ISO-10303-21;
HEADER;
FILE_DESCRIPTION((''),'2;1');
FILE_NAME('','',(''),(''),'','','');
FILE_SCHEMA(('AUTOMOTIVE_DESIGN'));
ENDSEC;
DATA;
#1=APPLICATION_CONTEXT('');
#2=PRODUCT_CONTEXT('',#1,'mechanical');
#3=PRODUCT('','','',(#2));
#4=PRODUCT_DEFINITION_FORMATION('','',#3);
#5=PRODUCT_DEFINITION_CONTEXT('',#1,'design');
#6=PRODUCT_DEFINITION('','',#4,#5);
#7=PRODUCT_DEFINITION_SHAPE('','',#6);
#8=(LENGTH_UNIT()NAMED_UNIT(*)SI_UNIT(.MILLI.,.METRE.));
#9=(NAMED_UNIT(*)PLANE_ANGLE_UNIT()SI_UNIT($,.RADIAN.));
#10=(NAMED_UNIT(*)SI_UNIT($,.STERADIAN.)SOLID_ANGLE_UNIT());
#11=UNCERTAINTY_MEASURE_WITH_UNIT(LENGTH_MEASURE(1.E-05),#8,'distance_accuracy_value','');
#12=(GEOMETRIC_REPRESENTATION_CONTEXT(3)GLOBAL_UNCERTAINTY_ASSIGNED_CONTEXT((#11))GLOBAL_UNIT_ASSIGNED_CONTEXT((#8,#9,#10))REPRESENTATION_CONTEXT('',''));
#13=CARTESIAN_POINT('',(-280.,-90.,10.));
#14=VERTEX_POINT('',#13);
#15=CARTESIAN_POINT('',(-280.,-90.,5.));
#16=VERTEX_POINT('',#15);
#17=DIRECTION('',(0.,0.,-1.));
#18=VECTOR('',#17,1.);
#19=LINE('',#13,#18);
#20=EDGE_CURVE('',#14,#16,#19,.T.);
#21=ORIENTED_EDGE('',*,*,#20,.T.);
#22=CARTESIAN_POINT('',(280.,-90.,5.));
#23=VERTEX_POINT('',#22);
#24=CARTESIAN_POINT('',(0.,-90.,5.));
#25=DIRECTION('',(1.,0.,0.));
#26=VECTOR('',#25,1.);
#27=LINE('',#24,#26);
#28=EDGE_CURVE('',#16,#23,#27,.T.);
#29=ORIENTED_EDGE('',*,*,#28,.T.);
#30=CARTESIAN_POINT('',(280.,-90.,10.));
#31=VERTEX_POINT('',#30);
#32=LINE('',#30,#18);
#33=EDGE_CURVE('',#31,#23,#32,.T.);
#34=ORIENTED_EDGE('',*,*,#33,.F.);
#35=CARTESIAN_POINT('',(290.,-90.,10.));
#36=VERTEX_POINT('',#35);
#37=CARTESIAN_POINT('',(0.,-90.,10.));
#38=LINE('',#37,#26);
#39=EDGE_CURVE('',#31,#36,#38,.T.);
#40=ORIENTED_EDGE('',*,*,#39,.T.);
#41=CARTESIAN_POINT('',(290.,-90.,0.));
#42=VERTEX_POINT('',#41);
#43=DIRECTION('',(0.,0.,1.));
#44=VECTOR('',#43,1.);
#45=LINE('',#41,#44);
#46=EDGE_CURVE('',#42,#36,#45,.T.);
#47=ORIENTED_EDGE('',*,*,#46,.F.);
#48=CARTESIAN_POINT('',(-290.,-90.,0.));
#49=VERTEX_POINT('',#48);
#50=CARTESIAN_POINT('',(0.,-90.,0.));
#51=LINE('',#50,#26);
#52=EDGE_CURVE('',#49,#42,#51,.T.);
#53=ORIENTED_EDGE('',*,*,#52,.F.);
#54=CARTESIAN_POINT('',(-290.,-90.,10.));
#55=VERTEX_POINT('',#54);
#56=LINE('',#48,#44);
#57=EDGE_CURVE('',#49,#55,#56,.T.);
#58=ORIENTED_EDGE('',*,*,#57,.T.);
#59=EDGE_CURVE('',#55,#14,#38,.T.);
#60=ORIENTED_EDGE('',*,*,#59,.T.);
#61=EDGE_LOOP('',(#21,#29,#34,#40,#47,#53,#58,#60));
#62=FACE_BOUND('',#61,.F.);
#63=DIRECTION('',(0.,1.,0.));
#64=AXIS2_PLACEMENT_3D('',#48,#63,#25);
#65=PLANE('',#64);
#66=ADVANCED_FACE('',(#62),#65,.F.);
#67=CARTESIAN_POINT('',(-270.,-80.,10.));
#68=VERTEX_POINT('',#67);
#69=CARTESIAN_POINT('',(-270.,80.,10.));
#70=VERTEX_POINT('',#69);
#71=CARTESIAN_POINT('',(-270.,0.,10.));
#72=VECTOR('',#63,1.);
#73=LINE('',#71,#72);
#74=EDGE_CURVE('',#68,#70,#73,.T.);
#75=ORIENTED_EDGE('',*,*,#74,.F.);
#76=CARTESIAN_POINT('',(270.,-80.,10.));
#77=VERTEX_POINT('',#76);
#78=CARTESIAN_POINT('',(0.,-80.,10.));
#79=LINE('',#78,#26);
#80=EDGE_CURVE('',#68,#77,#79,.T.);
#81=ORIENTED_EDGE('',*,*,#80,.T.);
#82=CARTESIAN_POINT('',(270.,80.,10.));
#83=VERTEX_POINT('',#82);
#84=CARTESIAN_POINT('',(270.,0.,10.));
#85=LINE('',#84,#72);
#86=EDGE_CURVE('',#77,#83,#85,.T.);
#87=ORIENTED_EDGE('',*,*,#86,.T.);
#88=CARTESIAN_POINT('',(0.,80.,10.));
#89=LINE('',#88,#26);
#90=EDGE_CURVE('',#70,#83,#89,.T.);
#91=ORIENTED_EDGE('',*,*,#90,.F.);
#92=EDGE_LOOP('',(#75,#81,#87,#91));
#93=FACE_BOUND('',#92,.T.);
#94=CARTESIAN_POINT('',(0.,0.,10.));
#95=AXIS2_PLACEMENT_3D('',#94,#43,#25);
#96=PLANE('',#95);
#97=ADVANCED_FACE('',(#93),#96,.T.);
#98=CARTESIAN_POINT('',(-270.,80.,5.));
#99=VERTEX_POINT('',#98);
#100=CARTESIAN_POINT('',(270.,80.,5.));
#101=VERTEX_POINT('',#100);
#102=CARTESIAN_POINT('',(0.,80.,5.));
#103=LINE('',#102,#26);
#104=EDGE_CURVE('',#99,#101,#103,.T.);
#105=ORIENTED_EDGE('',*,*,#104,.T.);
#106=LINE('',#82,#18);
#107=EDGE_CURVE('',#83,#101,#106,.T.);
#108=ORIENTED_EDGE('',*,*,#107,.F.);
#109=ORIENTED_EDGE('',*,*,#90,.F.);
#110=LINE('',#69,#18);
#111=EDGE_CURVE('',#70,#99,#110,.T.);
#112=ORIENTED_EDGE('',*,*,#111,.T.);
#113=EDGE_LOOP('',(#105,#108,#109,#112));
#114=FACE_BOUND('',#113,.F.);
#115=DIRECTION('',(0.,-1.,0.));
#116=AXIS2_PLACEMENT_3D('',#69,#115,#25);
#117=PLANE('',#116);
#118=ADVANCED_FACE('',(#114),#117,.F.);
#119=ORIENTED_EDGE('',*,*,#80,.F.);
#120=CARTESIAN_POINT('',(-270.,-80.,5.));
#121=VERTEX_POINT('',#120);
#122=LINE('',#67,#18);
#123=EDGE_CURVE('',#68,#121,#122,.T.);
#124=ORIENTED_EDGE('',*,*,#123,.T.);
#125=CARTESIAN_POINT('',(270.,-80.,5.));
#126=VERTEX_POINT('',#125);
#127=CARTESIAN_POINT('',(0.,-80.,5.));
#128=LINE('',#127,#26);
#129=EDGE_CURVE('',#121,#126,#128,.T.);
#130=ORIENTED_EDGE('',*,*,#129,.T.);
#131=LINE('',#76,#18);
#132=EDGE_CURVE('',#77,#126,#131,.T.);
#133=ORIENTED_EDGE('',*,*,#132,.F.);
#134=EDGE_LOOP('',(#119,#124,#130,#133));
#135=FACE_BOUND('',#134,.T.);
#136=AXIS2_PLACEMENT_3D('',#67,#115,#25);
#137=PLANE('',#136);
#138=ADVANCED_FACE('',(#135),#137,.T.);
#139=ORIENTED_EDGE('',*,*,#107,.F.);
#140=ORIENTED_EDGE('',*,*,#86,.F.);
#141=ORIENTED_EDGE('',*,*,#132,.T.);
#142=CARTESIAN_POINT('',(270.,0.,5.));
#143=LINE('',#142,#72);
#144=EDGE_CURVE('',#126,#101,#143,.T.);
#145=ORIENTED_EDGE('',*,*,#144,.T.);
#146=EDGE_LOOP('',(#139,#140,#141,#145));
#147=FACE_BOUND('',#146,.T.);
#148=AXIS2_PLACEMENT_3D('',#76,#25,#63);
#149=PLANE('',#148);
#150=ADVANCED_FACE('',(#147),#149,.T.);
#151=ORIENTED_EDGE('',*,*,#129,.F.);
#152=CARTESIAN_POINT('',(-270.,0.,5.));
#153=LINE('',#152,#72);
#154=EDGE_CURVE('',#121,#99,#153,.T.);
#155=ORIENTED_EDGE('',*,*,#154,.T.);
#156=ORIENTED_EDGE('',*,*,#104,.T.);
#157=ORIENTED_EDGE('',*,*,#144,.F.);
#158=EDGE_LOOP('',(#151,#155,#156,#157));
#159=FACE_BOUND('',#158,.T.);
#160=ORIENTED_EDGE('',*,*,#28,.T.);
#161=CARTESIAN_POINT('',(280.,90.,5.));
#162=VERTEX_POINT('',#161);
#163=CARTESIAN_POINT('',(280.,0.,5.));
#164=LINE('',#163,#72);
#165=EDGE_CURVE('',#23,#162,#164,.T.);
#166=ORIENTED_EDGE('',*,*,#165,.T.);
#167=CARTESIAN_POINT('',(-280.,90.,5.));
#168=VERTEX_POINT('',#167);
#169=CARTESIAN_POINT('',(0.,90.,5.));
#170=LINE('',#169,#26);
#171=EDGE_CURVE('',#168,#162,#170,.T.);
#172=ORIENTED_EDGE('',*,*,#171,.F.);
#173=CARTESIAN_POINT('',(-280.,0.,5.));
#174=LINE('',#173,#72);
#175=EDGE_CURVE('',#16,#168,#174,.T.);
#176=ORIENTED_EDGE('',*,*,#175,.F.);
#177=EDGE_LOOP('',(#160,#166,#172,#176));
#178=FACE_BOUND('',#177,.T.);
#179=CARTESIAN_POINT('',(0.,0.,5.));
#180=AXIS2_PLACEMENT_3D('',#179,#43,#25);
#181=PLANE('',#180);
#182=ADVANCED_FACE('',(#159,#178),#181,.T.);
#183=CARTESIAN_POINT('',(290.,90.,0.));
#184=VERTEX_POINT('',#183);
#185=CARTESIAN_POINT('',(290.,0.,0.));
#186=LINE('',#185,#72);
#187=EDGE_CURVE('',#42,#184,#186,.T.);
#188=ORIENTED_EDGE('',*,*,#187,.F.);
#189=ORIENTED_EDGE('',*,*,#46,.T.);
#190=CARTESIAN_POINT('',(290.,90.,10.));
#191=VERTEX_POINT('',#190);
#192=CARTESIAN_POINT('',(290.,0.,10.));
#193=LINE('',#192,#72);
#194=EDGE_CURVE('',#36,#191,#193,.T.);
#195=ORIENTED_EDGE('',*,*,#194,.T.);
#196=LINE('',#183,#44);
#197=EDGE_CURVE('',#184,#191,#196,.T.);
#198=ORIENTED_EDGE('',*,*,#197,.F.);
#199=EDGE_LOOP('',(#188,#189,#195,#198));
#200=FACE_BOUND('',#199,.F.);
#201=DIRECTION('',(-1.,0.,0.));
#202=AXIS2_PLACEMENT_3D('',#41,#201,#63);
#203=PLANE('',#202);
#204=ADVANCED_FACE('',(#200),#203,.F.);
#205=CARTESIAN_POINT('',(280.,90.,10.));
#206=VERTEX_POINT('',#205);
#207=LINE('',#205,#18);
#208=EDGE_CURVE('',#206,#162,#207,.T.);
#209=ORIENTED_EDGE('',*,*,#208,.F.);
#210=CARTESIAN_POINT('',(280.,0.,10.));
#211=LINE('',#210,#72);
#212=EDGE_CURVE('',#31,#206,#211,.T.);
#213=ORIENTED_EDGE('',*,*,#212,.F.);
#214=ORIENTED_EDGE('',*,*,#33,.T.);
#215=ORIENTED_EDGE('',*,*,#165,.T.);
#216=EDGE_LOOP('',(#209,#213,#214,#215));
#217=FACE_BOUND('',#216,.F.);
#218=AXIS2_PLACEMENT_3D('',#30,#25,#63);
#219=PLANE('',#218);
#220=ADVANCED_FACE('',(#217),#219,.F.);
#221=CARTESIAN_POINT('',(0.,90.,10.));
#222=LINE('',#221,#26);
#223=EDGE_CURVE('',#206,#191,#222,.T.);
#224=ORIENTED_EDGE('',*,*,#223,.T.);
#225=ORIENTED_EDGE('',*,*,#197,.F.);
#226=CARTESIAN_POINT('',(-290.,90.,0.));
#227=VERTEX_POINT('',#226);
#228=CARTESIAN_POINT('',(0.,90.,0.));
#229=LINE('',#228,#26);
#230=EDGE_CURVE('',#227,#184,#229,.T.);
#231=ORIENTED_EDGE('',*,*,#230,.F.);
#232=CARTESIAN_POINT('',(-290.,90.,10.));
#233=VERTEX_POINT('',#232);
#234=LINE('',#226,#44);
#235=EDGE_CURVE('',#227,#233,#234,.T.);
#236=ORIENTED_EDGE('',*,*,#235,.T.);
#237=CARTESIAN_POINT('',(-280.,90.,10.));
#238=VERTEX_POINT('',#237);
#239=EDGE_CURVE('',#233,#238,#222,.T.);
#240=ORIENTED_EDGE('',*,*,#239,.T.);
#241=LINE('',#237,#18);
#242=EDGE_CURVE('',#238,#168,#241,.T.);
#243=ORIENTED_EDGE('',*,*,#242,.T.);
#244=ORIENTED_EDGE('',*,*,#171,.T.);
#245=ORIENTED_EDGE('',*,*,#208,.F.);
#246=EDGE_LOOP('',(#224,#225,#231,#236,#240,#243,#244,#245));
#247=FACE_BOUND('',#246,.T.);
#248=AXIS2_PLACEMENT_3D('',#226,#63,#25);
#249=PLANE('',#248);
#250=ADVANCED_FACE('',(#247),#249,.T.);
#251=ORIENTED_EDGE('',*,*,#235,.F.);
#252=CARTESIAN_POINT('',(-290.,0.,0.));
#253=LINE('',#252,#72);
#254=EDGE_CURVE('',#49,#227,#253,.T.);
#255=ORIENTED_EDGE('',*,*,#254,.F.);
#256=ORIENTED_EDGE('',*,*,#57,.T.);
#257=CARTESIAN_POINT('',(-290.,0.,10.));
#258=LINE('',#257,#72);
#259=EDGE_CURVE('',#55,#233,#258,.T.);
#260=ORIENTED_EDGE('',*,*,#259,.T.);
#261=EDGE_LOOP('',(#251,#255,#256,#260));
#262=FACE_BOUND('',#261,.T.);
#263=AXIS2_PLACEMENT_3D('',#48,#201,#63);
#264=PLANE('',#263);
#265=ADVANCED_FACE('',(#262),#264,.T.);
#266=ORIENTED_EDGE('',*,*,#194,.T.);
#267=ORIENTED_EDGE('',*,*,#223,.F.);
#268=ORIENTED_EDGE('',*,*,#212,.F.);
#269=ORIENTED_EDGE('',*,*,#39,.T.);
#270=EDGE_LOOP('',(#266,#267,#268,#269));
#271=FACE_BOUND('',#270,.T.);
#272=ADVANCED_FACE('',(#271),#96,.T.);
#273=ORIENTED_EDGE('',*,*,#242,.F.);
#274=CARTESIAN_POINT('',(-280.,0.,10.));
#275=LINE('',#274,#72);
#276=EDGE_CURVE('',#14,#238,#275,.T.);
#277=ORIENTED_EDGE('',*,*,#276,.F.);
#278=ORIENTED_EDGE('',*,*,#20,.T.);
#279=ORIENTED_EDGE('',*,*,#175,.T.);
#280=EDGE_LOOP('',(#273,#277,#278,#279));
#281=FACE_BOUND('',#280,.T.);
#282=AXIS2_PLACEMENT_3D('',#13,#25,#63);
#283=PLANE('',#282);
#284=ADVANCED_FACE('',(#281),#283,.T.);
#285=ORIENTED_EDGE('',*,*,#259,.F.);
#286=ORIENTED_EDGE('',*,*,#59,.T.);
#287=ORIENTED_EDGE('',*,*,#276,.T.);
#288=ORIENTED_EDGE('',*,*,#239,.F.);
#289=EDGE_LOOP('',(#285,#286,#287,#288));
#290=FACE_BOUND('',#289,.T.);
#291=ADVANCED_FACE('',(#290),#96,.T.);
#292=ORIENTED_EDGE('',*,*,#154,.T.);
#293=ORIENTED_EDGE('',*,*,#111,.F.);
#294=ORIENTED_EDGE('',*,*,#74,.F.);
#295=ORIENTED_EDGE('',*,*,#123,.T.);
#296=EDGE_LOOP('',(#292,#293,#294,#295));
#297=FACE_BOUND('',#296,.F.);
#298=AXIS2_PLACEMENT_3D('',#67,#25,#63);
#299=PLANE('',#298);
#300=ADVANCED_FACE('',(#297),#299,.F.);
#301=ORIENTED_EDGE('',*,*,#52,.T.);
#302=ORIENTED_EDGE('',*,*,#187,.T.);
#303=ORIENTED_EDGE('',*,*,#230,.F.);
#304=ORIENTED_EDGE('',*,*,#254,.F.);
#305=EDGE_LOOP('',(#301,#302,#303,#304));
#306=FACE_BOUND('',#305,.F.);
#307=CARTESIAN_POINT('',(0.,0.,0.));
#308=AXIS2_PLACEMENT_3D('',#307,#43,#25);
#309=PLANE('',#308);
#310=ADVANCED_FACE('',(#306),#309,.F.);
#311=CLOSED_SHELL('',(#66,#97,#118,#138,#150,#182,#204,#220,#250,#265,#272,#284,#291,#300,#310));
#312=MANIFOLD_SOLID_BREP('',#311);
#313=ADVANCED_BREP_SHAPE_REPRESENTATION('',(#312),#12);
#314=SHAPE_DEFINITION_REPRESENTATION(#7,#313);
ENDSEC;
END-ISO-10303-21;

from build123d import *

# Parameters (mm, degrees)
F0_W     = 580
F0_H     = 180
F1_DEPTH = 10
F2_W     = 560
F2_H     = 180
F2_W_2   = 540
F2_H_2   = 160
F3_DEPTH = 5


with BuildPart() as f1:
    # F0 (on Top) → F1 (new body)
    with BuildSketch(Plane.XY):
        Rectangle(F0_W, F0_H)
    extrude(amount=F1_DEPTH)

    # F2 (on face) → F3 (cut)
    with BuildSketch(Plane.XY.offset(10)):
        Rectangle(F2_W, F2_H)
        Rectangle(F2_W_2, F2_H_2, mode=Mode.SUBTRACT)
    extrude(amount=-F3_DEPTH, mode=Mode.SUBTRACT)


solid = f1.part
